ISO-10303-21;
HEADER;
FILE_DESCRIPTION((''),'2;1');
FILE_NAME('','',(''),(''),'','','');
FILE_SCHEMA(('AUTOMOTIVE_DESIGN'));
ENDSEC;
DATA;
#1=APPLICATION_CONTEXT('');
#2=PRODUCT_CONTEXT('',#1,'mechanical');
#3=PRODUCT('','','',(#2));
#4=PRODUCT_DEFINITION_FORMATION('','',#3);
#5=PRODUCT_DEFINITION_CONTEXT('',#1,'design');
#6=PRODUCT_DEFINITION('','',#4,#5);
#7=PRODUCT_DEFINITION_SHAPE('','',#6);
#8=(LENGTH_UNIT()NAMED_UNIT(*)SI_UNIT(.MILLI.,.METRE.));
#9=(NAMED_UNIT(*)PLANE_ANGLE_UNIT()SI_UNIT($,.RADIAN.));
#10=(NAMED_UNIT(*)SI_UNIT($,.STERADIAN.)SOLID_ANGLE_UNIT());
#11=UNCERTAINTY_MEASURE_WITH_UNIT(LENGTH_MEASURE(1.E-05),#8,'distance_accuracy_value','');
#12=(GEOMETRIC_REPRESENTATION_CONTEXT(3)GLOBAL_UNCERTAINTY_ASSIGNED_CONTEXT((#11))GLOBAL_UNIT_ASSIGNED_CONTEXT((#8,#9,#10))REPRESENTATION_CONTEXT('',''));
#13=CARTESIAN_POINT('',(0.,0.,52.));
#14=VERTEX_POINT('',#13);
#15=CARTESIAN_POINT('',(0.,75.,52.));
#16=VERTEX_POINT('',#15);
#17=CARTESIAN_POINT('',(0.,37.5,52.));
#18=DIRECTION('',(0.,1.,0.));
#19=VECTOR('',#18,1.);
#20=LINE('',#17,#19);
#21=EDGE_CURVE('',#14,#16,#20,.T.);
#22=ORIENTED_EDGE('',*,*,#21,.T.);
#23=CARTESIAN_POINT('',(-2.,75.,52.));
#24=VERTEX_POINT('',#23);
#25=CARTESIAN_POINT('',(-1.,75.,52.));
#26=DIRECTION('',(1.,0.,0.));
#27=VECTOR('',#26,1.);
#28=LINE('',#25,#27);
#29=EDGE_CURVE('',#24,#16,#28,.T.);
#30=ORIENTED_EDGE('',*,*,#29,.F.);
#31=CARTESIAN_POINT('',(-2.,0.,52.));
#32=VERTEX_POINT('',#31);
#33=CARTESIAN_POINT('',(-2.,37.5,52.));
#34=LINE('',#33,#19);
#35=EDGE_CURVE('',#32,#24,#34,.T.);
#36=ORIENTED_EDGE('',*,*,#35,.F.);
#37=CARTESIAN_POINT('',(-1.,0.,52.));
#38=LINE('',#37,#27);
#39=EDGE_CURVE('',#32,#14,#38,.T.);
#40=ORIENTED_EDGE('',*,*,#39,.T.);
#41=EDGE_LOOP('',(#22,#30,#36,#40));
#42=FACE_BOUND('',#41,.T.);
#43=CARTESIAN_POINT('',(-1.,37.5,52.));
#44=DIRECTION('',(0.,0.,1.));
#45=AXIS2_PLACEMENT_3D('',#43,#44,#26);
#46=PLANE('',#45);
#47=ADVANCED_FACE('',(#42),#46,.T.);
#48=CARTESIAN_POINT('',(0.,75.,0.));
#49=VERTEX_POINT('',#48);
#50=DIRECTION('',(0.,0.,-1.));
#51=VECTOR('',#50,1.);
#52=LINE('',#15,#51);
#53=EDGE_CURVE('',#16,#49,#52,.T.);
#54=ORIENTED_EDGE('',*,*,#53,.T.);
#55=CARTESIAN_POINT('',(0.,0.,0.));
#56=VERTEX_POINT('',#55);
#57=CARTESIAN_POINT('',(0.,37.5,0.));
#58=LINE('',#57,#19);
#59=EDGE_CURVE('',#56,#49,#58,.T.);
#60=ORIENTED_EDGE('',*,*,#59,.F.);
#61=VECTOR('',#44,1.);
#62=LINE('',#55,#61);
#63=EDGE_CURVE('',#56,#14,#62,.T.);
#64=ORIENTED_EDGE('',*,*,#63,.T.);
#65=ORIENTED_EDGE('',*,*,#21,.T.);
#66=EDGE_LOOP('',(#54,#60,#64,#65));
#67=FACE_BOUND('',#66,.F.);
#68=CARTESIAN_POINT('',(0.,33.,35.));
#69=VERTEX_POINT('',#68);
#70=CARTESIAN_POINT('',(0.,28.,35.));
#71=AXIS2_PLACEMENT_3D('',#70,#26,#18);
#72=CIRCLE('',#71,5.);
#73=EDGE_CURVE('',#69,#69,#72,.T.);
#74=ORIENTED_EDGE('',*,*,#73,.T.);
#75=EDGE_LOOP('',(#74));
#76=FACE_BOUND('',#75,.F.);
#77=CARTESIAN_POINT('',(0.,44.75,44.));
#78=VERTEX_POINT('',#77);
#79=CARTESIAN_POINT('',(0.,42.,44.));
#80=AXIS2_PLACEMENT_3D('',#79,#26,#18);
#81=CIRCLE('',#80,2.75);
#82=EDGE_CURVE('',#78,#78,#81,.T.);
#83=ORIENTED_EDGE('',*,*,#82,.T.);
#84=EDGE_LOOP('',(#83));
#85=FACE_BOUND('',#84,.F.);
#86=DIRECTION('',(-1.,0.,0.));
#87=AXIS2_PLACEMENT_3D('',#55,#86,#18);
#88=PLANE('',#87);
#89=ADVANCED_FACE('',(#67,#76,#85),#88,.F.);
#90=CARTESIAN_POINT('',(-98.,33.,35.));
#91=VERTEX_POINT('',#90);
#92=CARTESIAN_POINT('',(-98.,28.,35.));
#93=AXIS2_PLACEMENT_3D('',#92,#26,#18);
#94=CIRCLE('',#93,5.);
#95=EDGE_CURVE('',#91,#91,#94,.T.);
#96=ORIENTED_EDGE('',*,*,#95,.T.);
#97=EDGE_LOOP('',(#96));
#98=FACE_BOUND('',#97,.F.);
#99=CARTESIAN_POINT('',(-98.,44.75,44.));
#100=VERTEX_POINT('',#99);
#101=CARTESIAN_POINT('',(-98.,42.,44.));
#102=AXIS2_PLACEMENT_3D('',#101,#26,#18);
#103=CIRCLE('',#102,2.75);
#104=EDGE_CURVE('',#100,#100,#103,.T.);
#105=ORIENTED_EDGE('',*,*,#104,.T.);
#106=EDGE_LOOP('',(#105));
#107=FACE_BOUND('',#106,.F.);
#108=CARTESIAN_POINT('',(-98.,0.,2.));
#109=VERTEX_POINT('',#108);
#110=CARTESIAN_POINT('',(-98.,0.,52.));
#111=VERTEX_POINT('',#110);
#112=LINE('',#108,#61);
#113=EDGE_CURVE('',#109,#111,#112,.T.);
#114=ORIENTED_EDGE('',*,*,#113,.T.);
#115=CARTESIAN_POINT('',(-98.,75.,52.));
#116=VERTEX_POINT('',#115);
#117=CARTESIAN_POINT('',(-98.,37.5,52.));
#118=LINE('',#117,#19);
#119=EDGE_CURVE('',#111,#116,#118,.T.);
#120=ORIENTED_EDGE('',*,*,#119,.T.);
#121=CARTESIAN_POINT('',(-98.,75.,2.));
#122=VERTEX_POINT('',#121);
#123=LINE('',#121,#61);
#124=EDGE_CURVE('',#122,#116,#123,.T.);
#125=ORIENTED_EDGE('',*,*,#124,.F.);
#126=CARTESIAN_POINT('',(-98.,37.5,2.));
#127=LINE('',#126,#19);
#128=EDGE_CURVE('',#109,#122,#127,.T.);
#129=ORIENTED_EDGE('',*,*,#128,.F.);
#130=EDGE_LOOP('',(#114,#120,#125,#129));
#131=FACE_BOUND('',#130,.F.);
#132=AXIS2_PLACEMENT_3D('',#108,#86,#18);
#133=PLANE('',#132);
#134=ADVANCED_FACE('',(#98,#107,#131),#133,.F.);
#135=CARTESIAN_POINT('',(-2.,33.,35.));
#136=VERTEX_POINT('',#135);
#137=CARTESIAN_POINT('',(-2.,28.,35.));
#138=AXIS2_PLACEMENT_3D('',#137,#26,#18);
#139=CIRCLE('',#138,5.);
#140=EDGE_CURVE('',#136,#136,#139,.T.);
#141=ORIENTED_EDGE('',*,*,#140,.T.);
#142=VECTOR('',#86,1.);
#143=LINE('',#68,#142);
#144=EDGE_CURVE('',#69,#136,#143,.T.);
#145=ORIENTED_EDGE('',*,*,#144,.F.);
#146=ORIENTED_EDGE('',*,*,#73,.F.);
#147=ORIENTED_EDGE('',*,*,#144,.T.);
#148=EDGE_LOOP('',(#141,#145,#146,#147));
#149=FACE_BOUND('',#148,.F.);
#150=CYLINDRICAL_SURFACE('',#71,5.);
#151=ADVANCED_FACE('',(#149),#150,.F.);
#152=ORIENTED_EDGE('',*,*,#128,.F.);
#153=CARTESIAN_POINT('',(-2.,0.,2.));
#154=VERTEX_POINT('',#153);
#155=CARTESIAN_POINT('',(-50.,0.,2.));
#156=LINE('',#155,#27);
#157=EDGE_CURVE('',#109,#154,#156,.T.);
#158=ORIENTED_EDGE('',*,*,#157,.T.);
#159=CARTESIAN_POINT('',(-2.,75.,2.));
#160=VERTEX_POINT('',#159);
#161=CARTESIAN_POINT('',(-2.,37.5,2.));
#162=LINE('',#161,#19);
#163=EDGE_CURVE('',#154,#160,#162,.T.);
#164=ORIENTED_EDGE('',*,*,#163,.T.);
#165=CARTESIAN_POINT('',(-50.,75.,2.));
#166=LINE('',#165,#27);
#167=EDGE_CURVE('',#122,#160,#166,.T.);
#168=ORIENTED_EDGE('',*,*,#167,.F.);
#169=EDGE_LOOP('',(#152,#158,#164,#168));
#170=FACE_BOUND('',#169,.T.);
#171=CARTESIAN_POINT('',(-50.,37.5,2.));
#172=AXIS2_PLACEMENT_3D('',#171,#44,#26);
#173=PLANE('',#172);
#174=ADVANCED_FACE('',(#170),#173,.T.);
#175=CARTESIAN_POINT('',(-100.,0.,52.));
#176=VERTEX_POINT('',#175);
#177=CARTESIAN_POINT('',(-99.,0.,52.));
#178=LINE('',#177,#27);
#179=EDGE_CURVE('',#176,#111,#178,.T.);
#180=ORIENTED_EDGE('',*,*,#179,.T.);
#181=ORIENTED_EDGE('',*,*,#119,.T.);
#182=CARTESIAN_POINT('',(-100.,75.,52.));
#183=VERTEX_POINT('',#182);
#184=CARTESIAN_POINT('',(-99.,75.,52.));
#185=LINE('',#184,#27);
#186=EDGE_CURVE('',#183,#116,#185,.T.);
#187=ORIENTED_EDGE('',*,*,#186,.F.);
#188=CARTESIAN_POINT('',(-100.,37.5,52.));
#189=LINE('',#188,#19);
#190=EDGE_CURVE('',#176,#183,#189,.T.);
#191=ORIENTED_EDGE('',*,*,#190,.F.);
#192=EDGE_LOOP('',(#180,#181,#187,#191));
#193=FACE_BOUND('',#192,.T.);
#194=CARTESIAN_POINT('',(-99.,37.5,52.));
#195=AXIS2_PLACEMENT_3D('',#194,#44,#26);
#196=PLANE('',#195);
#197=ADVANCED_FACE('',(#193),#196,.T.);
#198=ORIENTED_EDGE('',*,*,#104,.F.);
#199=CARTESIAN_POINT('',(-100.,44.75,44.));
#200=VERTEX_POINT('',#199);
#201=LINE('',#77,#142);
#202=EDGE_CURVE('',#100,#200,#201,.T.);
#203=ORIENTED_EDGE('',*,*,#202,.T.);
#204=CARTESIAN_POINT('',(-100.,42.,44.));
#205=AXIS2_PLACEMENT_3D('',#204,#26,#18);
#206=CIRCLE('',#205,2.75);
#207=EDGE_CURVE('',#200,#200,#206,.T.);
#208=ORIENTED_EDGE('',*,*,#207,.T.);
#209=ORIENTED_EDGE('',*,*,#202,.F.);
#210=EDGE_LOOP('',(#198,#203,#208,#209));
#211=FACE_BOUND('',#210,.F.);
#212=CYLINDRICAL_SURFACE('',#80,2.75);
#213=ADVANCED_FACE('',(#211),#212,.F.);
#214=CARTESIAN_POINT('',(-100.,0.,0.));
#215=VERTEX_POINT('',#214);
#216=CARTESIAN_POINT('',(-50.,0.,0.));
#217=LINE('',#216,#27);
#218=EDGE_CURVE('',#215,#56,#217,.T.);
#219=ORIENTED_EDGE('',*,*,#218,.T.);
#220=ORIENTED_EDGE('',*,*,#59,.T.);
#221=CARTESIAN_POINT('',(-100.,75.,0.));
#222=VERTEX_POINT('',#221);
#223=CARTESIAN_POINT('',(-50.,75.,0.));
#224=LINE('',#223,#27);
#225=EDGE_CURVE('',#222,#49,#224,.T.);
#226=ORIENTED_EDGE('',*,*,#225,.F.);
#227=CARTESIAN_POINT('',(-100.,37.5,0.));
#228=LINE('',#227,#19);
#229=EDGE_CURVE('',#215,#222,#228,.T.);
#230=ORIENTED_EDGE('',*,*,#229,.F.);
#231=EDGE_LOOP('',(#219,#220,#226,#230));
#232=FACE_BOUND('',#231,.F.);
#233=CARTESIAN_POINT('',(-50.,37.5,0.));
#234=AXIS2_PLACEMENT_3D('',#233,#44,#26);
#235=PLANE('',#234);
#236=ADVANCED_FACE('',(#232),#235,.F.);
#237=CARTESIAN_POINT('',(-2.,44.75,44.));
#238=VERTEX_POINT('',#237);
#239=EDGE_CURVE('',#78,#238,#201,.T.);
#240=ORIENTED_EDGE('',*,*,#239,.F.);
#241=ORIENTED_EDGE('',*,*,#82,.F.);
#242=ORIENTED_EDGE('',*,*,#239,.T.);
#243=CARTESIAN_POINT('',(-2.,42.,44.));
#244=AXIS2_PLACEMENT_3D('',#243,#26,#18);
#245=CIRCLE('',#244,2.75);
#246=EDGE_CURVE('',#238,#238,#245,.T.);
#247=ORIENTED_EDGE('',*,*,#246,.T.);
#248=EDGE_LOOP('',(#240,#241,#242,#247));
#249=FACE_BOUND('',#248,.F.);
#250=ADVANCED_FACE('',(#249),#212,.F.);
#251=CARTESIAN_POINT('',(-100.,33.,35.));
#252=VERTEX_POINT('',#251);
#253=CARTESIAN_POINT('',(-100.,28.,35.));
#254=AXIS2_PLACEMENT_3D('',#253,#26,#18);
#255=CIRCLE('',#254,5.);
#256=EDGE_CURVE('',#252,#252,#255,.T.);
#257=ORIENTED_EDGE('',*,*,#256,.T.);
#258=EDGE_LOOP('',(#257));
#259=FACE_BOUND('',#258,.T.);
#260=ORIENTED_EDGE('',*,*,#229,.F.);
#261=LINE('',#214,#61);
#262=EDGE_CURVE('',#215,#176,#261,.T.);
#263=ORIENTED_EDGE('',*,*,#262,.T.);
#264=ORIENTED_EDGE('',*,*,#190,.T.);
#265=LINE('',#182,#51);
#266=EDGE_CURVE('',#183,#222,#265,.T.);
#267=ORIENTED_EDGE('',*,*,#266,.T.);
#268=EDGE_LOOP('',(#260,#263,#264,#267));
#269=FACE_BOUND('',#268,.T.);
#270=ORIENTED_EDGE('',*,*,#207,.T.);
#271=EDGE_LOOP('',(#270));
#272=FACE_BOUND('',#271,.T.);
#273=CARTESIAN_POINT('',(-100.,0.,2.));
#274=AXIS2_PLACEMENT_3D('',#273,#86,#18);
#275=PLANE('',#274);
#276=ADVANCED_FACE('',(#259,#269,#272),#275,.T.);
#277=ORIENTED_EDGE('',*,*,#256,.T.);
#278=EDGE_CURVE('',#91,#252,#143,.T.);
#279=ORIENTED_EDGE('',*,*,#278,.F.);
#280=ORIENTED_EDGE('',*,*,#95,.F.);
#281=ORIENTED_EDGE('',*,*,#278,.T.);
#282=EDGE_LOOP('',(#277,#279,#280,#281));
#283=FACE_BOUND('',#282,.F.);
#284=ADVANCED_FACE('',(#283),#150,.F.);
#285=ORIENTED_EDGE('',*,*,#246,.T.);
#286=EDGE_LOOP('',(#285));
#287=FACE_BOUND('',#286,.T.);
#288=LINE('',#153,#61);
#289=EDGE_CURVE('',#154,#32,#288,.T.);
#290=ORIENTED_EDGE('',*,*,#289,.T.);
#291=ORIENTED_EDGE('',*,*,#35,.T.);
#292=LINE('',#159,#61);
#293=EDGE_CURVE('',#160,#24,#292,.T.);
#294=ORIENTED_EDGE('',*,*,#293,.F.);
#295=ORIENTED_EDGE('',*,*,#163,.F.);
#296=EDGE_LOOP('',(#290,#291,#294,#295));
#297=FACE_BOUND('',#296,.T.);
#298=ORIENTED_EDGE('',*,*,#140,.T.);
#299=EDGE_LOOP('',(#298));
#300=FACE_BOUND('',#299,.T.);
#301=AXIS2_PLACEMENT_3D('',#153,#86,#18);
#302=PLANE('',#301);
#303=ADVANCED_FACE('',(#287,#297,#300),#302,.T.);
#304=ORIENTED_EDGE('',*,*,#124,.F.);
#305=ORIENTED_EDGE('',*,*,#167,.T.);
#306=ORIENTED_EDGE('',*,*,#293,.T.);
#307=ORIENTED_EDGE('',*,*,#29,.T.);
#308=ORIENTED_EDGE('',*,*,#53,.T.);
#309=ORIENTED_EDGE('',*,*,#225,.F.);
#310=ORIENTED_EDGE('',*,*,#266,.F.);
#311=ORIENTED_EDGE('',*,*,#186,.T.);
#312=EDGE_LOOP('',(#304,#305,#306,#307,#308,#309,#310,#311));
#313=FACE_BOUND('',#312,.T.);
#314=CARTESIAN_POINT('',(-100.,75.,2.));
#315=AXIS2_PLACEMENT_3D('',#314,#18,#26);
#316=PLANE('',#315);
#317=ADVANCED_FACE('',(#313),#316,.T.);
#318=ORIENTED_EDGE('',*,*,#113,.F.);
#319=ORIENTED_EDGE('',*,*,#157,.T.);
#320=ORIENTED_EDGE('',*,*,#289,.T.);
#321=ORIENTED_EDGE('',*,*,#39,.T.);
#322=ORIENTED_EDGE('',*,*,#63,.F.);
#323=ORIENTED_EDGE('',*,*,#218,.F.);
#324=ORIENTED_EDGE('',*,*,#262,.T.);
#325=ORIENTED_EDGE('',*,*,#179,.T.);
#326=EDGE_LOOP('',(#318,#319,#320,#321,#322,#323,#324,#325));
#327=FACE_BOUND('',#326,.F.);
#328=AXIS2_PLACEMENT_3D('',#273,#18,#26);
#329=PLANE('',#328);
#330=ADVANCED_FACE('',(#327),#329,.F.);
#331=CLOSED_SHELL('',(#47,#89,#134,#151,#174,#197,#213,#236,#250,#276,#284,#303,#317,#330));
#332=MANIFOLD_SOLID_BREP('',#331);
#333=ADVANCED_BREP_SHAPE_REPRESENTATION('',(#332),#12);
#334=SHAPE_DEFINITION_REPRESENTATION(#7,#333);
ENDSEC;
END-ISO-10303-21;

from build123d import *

# Parameters (mm, degrees)
F0_W     = 100
F0_H     = 75
F1_DEPTH = 2
F2_W     = 2
F2_H     = 75
F3_DEPTH = 50
F4_R     = 5
F4_R_2   = 2.75
F5_DEPTH = 100


with BuildPart() as f1:
    # F0 (on Top) → F1 (new body)
    with BuildSketch(Plane.XY):
        with Locations((-50, 37.5)):
            Rectangle(F0_W, F0_H)
    extrude(amount=F1_DEPTH)

    # F2 (on face) → F3 (join)
    with BuildSketch(Plane.XY.offset(2)):
        with Locations((-99, 37.5)):
            Rectangle(F2_W, F2_H)
        with Locations((-1, 37.5)):
            Rectangle(F2_W, F2_H)
    extrude(amount=F3_DEPTH)

    # F4 (on face) → F5 (cut)
    with BuildSketch(Plane.YZ):
        with Locations((28, 35)):
            Circle(F4_R)
        with Locations((42, 44)):
            Circle(F4_R_2)
    extrude(amount=-F5_DEPTH, mode=Mode.SUBTRACT)


solid = f1.part
